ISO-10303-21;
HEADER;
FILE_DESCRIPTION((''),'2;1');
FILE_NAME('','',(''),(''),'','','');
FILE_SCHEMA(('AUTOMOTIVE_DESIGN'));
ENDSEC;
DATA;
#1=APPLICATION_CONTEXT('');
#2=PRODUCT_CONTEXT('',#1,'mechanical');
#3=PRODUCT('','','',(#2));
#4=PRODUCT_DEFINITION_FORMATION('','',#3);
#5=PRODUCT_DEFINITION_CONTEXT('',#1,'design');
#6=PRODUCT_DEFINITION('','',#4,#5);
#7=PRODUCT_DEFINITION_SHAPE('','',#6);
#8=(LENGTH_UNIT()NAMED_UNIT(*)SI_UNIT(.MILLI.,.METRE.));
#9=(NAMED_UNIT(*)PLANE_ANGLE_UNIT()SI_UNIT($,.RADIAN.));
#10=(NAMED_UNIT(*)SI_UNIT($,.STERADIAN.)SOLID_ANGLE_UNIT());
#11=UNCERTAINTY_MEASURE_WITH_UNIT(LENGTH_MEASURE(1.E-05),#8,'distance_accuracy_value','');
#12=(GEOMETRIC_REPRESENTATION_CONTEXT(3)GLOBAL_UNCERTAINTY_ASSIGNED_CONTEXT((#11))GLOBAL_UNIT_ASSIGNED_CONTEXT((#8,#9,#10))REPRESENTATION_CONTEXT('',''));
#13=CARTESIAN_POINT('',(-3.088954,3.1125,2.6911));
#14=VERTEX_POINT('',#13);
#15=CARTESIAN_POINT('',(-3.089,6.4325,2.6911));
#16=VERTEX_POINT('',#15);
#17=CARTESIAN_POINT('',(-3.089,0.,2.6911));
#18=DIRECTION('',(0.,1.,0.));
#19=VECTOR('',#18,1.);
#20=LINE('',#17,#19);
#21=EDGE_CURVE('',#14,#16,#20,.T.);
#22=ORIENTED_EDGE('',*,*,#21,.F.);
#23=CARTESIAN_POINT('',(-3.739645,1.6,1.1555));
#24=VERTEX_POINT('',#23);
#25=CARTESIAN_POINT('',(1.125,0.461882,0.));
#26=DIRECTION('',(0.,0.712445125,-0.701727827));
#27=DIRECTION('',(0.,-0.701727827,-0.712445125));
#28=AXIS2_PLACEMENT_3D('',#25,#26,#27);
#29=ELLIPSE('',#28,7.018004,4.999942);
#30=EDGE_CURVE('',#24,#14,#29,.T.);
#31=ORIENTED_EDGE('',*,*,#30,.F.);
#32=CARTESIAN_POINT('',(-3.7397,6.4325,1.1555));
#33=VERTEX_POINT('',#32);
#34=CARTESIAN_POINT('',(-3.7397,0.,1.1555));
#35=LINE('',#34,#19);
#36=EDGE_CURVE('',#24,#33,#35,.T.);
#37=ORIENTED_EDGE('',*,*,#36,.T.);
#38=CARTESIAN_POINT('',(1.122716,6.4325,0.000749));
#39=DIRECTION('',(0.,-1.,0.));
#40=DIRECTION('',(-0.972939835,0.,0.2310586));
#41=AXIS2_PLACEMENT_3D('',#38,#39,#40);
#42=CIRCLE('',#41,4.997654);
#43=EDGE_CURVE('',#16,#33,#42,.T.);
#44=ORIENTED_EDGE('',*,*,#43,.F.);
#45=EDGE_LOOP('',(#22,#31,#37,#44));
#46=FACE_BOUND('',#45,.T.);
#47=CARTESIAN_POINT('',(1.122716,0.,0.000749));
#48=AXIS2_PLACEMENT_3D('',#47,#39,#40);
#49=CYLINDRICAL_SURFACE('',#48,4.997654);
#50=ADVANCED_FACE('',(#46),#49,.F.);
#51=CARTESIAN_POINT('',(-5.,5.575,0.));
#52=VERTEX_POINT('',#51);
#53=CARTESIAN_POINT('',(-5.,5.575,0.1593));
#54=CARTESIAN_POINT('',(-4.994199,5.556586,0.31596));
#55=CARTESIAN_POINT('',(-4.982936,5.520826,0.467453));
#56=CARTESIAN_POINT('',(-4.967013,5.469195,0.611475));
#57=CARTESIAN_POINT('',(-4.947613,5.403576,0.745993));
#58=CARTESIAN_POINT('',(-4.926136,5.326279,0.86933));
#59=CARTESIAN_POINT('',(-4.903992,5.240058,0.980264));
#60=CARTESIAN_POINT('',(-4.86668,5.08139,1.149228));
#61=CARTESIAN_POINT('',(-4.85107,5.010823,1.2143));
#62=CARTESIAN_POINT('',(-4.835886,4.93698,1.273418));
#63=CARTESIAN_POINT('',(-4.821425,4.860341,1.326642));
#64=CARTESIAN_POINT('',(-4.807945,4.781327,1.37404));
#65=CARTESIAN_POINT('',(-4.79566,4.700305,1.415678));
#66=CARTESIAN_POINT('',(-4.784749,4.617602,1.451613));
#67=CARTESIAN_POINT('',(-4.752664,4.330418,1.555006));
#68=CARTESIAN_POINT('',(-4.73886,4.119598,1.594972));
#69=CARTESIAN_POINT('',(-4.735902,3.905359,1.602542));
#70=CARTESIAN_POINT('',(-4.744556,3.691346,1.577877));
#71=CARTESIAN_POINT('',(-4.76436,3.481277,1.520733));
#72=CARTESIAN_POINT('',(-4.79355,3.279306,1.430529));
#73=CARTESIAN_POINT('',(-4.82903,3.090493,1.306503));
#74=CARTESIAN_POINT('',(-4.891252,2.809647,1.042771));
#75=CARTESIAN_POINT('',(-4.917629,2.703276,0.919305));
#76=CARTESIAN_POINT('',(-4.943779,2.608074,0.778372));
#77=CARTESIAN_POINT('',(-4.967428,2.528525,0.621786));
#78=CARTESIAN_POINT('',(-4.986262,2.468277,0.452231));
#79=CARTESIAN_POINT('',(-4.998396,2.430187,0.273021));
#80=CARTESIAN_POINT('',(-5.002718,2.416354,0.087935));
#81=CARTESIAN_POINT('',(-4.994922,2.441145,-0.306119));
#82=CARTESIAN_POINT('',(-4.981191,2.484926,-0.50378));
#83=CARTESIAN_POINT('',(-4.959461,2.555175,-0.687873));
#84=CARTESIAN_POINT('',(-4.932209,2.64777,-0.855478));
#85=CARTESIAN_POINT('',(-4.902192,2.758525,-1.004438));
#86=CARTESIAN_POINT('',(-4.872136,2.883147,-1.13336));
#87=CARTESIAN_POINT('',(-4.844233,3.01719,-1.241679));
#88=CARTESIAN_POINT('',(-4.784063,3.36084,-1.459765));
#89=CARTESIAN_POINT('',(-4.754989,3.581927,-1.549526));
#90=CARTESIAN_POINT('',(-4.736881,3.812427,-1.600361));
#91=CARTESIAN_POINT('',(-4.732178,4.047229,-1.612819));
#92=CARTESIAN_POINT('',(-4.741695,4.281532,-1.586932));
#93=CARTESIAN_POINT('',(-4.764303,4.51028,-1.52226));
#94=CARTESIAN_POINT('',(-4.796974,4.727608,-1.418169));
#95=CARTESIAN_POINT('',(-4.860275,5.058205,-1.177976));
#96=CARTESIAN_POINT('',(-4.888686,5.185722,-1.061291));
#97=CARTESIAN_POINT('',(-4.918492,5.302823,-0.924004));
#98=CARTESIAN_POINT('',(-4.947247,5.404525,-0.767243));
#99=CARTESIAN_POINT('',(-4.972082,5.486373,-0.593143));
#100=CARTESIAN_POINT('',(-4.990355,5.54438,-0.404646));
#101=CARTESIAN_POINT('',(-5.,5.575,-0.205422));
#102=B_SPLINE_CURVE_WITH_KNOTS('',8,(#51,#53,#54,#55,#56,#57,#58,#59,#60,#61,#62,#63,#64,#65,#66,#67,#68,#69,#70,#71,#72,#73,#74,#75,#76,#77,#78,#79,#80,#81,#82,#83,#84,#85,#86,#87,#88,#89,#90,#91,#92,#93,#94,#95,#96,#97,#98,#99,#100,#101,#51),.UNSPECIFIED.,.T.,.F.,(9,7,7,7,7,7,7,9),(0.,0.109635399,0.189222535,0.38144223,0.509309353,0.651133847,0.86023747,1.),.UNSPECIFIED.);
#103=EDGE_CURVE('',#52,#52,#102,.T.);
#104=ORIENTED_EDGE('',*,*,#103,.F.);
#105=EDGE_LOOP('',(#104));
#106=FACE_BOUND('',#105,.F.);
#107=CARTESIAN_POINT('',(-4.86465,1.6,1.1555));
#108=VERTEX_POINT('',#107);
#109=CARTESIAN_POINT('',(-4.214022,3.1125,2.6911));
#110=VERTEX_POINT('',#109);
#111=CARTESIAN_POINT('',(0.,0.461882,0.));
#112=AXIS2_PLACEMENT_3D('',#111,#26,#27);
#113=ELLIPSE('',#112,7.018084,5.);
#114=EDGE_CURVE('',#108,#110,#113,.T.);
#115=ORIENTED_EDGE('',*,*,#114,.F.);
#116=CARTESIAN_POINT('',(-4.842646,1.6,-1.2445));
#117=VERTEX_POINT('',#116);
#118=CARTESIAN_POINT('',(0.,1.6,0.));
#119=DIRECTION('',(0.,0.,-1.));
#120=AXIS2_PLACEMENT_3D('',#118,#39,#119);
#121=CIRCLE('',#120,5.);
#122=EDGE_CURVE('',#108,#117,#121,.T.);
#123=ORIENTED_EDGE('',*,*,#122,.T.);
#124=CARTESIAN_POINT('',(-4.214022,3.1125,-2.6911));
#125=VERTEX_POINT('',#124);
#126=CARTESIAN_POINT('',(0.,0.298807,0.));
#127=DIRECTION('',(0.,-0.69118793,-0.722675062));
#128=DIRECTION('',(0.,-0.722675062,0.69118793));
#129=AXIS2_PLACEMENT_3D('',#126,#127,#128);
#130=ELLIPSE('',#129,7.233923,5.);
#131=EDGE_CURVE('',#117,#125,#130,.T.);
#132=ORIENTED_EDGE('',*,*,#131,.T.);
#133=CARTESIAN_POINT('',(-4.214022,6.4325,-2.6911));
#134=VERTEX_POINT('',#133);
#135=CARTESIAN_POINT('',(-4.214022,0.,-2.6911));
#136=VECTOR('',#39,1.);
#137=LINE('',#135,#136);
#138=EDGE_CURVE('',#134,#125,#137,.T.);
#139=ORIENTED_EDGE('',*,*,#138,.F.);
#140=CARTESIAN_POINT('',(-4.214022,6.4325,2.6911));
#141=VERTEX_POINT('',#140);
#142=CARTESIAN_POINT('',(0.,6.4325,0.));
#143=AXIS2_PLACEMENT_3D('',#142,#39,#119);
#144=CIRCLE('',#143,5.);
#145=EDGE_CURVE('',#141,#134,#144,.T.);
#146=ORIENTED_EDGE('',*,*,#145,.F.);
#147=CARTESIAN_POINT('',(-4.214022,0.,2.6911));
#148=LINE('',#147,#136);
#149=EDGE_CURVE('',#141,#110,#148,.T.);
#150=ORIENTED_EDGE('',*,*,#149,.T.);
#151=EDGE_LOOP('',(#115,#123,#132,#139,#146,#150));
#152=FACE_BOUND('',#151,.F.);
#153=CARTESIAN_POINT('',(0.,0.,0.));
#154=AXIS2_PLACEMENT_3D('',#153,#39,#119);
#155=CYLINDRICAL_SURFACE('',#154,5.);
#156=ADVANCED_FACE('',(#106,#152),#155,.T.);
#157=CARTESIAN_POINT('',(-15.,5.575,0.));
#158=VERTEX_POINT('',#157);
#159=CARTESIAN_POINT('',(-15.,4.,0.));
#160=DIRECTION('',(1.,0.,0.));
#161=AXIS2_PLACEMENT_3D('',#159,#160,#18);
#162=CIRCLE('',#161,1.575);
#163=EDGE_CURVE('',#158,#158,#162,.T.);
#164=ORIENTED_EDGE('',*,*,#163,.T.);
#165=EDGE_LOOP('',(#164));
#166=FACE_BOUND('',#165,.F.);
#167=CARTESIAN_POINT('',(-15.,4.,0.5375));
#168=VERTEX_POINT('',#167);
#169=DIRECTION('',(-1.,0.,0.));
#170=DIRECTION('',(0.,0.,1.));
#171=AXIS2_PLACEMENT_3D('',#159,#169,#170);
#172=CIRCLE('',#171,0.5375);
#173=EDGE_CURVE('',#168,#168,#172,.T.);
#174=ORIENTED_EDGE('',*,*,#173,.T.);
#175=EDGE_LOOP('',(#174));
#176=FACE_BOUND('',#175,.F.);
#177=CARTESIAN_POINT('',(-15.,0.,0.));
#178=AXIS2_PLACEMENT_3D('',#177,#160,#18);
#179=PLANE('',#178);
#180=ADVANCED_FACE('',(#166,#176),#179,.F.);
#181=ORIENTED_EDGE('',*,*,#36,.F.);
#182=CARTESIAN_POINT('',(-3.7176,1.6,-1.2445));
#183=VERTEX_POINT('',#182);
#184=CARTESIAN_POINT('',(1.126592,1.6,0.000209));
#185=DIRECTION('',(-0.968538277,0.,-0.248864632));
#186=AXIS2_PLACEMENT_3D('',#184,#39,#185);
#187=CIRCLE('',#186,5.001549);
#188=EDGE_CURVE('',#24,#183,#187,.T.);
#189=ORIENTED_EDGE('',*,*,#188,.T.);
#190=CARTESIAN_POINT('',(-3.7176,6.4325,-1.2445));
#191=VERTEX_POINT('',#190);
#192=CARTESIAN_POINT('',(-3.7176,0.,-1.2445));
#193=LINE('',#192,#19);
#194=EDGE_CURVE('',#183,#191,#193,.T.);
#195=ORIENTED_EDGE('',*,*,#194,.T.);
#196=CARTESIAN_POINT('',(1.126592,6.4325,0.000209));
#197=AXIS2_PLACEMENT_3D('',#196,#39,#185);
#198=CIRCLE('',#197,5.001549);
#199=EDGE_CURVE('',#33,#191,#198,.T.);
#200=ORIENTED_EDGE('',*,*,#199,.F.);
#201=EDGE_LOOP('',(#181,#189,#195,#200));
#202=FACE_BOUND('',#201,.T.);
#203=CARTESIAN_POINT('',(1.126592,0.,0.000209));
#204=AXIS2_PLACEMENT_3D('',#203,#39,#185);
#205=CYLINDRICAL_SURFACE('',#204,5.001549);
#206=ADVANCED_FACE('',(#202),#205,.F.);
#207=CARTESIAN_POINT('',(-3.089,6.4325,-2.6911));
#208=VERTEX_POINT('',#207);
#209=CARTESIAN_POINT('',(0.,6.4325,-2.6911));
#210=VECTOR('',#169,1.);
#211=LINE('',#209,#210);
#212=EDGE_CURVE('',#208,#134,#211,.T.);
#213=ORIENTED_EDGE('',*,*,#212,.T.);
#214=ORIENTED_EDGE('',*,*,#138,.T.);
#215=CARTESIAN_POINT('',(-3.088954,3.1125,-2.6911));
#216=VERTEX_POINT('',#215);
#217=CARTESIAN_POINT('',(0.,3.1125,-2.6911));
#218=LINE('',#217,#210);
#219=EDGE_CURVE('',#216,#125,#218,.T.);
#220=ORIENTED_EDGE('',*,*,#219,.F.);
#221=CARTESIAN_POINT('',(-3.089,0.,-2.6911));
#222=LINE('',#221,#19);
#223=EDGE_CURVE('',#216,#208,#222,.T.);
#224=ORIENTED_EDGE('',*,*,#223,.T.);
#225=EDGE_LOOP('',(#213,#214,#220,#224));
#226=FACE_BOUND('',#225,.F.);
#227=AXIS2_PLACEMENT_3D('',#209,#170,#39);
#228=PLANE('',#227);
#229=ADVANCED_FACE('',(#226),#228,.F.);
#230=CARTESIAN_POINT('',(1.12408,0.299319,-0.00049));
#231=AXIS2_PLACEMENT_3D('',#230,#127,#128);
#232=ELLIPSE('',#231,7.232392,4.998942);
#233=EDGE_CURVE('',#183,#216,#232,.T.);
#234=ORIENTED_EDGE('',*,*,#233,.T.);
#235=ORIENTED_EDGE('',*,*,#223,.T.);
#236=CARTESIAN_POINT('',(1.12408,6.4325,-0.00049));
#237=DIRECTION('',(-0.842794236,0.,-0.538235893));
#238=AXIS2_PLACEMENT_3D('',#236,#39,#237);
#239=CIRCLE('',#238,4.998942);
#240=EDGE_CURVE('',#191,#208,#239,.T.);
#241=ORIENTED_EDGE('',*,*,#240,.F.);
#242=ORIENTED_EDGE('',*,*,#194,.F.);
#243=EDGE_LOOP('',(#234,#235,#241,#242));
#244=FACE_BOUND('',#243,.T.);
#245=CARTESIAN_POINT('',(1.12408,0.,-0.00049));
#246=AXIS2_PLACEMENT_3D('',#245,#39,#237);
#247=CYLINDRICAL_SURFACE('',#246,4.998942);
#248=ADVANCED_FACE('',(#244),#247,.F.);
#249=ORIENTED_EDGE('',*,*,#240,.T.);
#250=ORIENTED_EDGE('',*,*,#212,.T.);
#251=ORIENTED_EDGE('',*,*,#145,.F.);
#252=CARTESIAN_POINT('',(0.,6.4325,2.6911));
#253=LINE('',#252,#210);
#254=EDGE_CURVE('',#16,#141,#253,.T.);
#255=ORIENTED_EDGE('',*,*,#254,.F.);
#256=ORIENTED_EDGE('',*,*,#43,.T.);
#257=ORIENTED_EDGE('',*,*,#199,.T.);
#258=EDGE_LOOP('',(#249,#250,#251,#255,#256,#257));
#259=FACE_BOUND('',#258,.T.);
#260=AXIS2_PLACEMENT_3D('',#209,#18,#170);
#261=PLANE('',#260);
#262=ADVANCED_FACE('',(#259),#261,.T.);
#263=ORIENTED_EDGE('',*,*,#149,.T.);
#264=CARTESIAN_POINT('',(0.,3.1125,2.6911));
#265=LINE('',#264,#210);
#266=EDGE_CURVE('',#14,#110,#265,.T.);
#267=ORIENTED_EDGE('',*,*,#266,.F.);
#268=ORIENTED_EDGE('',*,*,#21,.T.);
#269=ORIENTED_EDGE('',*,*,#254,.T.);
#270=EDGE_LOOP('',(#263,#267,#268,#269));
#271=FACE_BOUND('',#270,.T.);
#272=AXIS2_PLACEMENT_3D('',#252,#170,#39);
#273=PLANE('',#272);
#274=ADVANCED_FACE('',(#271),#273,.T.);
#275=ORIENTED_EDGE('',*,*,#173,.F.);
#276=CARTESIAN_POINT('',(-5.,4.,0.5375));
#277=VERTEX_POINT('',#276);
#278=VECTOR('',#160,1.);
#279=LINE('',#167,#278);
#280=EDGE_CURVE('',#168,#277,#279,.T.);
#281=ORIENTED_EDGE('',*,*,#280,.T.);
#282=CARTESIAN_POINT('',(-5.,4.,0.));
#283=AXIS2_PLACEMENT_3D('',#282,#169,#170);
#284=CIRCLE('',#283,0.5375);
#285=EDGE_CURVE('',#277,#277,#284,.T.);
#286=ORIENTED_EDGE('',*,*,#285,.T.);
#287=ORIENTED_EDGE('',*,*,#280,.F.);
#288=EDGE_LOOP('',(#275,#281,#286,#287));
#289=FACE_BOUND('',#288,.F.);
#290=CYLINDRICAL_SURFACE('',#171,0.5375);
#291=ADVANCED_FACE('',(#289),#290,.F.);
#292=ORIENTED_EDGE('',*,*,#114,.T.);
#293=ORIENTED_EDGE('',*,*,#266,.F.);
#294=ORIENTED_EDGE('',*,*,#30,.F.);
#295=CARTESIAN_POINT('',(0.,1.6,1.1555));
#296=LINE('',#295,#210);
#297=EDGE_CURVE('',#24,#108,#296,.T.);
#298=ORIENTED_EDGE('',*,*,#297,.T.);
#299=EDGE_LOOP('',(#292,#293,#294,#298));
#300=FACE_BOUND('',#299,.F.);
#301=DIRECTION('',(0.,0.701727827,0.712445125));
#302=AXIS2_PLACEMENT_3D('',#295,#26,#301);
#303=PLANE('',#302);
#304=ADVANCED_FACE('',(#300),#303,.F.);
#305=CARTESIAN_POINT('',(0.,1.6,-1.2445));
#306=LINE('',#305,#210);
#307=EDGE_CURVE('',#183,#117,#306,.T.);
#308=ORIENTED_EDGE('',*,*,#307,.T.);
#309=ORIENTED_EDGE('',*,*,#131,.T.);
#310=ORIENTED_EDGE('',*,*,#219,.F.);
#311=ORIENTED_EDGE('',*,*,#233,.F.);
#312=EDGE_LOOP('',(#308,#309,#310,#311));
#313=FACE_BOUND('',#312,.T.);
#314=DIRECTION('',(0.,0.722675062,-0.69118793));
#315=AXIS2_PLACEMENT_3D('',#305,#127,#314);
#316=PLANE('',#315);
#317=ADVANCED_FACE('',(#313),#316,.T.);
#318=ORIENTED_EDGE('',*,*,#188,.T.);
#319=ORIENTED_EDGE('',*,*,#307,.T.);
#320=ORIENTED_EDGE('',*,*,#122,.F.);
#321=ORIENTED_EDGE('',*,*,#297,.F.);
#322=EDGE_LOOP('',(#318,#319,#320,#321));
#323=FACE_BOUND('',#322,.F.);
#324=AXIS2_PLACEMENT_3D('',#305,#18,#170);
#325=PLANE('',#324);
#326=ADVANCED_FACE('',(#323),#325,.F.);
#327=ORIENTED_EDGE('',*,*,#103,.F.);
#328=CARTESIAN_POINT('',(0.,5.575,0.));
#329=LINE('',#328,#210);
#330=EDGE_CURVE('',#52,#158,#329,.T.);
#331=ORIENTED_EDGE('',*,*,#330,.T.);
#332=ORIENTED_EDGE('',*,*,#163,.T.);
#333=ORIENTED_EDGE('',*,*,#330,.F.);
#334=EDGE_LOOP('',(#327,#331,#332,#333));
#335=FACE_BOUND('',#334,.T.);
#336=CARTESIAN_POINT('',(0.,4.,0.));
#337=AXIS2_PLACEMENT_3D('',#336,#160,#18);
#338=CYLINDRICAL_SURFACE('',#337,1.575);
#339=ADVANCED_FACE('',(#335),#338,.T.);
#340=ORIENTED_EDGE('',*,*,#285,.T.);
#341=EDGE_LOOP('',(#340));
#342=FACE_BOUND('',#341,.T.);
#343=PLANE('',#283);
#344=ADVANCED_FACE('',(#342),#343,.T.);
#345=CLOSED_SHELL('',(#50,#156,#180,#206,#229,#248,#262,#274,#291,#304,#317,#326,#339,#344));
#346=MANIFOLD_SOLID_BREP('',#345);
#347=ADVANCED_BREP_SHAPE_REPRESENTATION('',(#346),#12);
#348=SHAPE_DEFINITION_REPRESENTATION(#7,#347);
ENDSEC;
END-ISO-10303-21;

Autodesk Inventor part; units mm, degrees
ref_plane "YZ Plane" through (0, 0, 0) normal (1, 0, 0) x (0, 1, 0)
ref_plane "XZ Plane" through (0, 0, 0) normal (0, 1, 0) x (-1, 0, 0)
ref_plane "XY Plane" through (0, 0, 0) normal (0, 0, 1) x (1, 0, 0)
sketch "Sketch1" plane through (0, 0, 0) normal (0, 1, 0) x (-1, 0, 0)
  arc A0 (0, -5) -> (0, 5) centre (0, 0) ccw
  line L0 (0, 5) -> (0, -5)
  dimension "d0" = 10
extrude "Extrusion1" add sketch "Sketch1" along normal blind 10
sketch "Sketch2" plane through (0, 0, 0) normal (1, 0, 0) x (0, 1, 0)
  line L0 (8.0172, -4.5) -> (8.0172, 4.5)
  line L1 (8.0172, 4.5) -> (2.5172, 4.5)
  line L2 (2.5172, -4.5) -> (0.0172, -2)
  line L3 (2.5172, 4.5) -> (0.0172, 2)
  line L4 (0.0172, -2) -> (0.0172, 2)
  line L5 (8.0172, -4.5) -> (2.5172, -4.5)
  point P0 (0, 0)
  dimension "d3" = 9
  dimension "d4" = 8
sketch "Sketch3" plane through (0, 0, 0) normal (1, 0, 0) x (0, 1, 0)
  line L0 (0, 2) -> (3, 5)
  arc A0 (3, 5) -> (0, 2) centre (1, 4) ccw
  line L1 (0, -2) -> (4, -6)
  arc A1 (0, -2) -> (4, -6) centre (1.75, -4.25) ccw
  line L2 (8.0325, 5) -> (11, 5)
  line L3 (11, 5) -> (11, -6)
  line L4 (11, -6) -> (8.0325, -6)
  line L5 (8.0325, -6) -> (8.0325, 5)
  line L6 (2.4911, 4.4911) -> (5, 7)
  line L7 (2.4911, 4.4911) -> (8.0325, 4.4911)
  arc A2 (8.0325, 4.4911) -> (5, 7) centre (7, 6.3303) ccw
  line L8 (2.4911, -4.4911) -> (8.5706, -4.4911)
  arc A3 (2.4911, -4.4911) -> (8.5706, -4.4911) centre (5.5309, -7.5041) ccw
  point P0 (0, 0)
extrude "Extrusion2" cut sketch "Sketch3" against normal through all
sketch "Sketch4" plane through (0, 0, 0) normal (0, 1, 0) x (-1, 0, 0)
  arc A0 (1.0726, -4.4911) -> (1.0726, 4.4911) centre (-1.125, 0) ccw
  arc A1 (1.0726, 4.4911) -> (1.0726, -4.4911) centre (-0.4517, 0) ccw
  point P0 (0, 0)
  point P1 (2.1976, -4.4911)
  point P2 (2.1976, 4.4911)
  dimension "d9" = 1.125
  dimension "d10" = 1.125
extrude "Extrusion3" cut sketch "Sketch4" along normal through all both and the other way through all
sketch "Sketch5" plane through (0, 0, 0) normal (1, 0, 0) x (0, 1, 0)
  line L0 (1.6, -1.2445) -> (1.6, 1.1555)
  line L1 (6.4325, 2.6911) -> (3.1125, 2.6911)
  line L2 (6.4325, -2.6911) -> (6.4325, 2.6911)
  line L3 (6.4325, -2.6911) -> (3.1125, -2.6911)
  line L4 (0, 2) -> (0, -2) projected
  line L5 (8.0325, 4.4911) -> (8.0325, -4.4911) projected
  line L6 (0, 2) -> (2.4911, 4.4911) projected
  line L7 (2.4911, 4.4911) -> (8.0325, 4.4911) projected
  line L8 (8.0325, 4.4911) -> (8.0325, -4.4911) projected
  line L9 (8.0325, -4.4911) -> (2.4911, -4.4911) projected
  line L10 (2.4911, -4.4911) -> (0, -2) projected
  line L11 (0, 2) -> (0, -2) projected
  line L12 (1.6, 1.1555) -> (3.1125, 2.6911)
  line L13 (1.6, -1.2445) -> (3.1125, -2.6911)
  line L14 (1.6, 4.6579) -> (1.6, -5.3823)
  arc A0 (1.6, 4.6579) -> (1.6, -5.3823) centre (3.2437, -0.3622) ccw
  line L15 (1.6, 1.1555) -> (5.4757, 5.0906)
  line L16 (1.6, 1.1555) -> (1.6, 7.5999)
  arc A1 (5.4757, 5.0906) -> (1.6, 7.5999) centre (3.8837, 6.8794) ccw
  line L17 (3.1125, 2.6911) -> (12.4034, 2.6911)
  line L18 (3.1125, 2.6911) -> (8.5318, 8.1936)
  arc A2 (12.4034, 2.6911) -> (8.5318, 8.1936) centre (8.3272, 3.9364) ccw
  line L19 (6.4325, 2.6911) -> (13.6333, 2.6911)
  line L20 (6.4325, 2.6911) -> (6.4325, -9.3636)
  arc A3 (6.4325, -9.3636) -> (13.6333, 2.6911) centre (6.37, -1.1482) ccw
  line L21 (6.4325, -2.6911) -> (6.4325, -11.5775)
  line L22 (6.4325, -2.6911) -> (3.1125, -2.6911)
  line L23 (3.1125, -2.6911) -> (3.2437, -12.8567)
  arc A4 (3.2437, -12.8567) -> (6.4325, -9.3636) centre (5.6123, -11.8169) ccw
  line L24 (1.6, -1.2445) -> (1.6, -8.2222)
  line L25 (1.6, -1.2445) -> (3.1125, -2.6911)
  line L26 (3.1125, -2.6911) -> (3.1946, -9.0574)
  arc A5 (1.6, -8.2222) -> (3.1946, -9.0574) centre (2.6381, -8.1801) ccw
  point P0 (0, 0)
  dimension "d16" = 1.6
  dimension "d18" = 1.6
  dimension "d21" = 1.8
  dimension "d23" = 1.8
  dimension "d24" = 2.4
  dimension "d26" = 3.32
  dimension "d27" = 3.32
extrude "Extrusion4" cut sketch "Sketch5" against normal through all contours L14 L10 L4 L6 L0 | L13 L23 L9 L10 L14 | L14 L6 L7 L15 L12 | L3 L20 L9 L23 | L14 A0 L6 L4 L10 | L10 L9 L23 A5 L24 L14 | L15 L7 L5 L17 L1 | L14 L16 A1 L15 L7 L6 | L2 L17 L5 L9 L20 | L9 L20 A4 L23 | L15 L18 A2 L17 L5 L7 | L9 L5 L17 L19 A3 L20
sketch "Sketch6" plane through (0, 0, 0) normal (1, 0, 0) x (0, 1, 0)
  circle A0 centre (4, 0) radius 1.575
  line L0 (1.6, -1.2445) -> (1.6, 1.1555) projected
  point P0 (0, 0)
  dimension "d31" = 3.15
  dimension "d32" = 2.4
extrude "Extrusion5" add sketch "Sketch6" against normal blind 15
sketch "Sketch7" plane through (0, 0, 0) normal (0, 1, 0) x (-1, 0, 0)
  arc A0 (3.089, -2.6911) -> (3.7176, -1.2445) centre (-1.125, 0) ccw projected
  arc A1 (3.7397, 1.1555) -> (3.089, 2.6911) centre (-1.125, 0) ccw projected
  arc A2 (3.7176, -1.2445) -> (3.7397, 1.1555) centre (-1.125, 0) ccw
  arc A3 (3.089, 2.6911) -> (3.089, -2.6911) centre (1.8078, 0) ccw
  point P0 (0, 0)
extrude "Extrusion6" cut sketch "Sketch7" along normal through all
sketch "Sketch8" plane through (-15, 4, 0) normal (-1, 0, 0) x (0, 0, 1)
  circle A0 centre (0, 0) radius 0.5375
  point P0 (0, -4)
  dimension "d37" = 1.075
extrude "Extrusion7" cut sketch "Sketch8" against normal blind 10
properties part number "10mm_radius_labmaker_cSkull_mold_window_stabilizer_Apr0119"
